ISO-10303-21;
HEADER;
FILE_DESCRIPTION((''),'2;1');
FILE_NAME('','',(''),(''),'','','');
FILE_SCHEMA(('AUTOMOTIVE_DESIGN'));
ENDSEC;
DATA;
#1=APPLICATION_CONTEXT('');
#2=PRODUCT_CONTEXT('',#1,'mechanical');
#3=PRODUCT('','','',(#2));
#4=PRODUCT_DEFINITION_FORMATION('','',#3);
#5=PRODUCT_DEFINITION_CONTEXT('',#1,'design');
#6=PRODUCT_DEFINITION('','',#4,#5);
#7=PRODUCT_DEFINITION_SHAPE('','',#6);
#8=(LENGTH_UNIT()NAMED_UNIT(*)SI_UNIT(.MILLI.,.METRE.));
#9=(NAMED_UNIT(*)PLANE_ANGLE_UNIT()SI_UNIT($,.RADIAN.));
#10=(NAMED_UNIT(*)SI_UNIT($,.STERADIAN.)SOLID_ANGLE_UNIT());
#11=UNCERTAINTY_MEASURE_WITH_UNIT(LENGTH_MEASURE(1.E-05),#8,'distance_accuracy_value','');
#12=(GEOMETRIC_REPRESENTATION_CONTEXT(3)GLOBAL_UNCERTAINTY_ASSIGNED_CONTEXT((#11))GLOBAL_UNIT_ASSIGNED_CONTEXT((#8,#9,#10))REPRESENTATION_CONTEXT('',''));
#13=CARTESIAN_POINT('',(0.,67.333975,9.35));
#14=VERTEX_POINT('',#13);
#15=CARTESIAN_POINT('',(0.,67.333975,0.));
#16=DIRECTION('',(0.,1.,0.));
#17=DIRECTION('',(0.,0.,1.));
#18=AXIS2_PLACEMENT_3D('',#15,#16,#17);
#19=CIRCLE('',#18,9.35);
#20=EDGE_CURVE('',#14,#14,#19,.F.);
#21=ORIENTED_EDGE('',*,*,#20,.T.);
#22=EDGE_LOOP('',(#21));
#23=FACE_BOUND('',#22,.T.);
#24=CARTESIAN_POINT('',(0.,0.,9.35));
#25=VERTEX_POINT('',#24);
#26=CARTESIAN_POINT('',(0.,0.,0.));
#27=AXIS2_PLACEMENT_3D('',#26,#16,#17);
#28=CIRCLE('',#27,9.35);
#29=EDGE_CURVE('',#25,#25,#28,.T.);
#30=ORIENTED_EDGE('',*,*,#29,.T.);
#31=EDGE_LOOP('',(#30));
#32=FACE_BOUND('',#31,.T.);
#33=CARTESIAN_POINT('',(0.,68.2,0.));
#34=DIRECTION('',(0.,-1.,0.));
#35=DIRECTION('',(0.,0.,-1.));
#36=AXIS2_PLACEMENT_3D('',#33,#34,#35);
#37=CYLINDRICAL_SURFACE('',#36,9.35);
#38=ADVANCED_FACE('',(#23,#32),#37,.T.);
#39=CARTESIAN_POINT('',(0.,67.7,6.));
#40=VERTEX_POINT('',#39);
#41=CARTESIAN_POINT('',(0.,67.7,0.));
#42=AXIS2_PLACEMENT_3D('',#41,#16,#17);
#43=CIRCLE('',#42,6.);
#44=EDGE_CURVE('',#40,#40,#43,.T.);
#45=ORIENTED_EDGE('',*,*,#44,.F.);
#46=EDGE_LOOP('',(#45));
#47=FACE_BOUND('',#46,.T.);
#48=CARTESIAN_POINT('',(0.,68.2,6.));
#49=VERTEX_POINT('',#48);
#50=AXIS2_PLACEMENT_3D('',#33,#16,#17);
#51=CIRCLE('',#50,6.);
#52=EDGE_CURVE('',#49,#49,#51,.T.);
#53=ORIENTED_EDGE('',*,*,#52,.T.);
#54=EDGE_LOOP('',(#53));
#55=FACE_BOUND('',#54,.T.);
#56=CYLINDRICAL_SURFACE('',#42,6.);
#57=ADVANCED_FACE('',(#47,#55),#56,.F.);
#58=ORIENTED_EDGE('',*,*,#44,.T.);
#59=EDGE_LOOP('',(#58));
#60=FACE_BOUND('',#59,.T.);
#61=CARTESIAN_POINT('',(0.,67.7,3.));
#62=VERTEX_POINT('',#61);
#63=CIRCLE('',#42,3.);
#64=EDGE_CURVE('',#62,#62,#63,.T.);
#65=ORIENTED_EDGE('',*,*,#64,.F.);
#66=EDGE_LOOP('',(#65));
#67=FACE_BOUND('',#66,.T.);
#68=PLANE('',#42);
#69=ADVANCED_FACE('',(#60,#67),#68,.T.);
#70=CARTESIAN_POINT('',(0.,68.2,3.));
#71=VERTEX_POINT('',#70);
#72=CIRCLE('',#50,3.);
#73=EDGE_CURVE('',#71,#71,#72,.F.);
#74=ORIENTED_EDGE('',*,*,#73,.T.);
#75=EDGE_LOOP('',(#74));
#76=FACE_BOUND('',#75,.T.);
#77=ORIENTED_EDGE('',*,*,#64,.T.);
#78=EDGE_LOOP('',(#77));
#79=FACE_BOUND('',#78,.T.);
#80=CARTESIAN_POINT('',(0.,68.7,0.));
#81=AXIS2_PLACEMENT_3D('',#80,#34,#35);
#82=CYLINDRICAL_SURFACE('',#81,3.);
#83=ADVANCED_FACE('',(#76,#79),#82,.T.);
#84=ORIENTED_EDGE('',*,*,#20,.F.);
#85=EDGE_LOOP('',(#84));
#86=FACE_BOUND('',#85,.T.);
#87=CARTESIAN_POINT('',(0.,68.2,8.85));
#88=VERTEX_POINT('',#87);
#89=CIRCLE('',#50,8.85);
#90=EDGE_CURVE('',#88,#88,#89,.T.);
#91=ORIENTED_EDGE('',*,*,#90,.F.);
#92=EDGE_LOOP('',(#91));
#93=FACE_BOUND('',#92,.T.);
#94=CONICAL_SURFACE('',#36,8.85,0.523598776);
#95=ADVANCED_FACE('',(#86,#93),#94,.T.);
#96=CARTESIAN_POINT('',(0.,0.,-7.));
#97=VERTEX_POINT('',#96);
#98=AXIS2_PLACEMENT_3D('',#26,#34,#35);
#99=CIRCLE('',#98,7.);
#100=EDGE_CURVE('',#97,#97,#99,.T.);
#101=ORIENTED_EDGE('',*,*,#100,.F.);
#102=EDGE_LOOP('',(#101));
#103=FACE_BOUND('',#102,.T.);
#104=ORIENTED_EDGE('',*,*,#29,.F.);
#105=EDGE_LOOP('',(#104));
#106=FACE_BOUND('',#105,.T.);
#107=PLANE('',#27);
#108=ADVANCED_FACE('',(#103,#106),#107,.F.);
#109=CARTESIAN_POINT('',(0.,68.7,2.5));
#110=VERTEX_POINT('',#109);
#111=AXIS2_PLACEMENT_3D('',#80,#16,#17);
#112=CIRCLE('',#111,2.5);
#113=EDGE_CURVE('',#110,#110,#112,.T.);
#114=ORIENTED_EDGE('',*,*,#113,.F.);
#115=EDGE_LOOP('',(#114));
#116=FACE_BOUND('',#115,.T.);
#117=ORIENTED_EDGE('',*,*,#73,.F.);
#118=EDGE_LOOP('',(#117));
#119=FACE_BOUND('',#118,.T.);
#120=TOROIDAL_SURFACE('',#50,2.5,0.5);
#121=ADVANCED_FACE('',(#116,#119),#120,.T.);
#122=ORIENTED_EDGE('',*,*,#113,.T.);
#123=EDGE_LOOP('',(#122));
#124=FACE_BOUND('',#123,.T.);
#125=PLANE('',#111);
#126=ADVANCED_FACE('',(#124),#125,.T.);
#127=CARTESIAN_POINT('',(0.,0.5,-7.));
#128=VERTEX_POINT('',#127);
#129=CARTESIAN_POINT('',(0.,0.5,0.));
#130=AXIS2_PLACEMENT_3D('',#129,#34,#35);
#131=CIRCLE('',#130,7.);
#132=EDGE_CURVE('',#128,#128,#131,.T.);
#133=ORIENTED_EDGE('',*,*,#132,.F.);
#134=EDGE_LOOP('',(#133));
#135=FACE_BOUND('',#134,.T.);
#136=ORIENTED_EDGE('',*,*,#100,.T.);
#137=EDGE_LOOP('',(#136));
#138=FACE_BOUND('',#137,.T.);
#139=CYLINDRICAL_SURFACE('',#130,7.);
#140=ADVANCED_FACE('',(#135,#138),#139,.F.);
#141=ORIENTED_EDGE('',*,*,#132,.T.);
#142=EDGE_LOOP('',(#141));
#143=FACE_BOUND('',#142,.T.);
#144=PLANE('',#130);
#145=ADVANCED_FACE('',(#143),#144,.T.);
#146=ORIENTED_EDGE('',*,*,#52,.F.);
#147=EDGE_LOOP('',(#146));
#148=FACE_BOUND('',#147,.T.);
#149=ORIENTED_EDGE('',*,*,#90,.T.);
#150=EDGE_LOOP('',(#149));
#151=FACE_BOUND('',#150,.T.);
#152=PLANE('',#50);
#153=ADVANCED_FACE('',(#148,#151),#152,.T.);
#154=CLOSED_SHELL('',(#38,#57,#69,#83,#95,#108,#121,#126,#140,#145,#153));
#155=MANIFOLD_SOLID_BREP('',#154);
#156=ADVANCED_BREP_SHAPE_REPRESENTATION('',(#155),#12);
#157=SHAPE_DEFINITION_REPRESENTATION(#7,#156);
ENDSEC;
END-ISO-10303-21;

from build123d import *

# Parameters (mm, degrees)
SZKIC1_R                    = 9.35
DODANIE_WYCI_GNI_CIE1_DEPTH = 68.2
SZKIC2_R                    = 7
WYTNIJ_WYCI_GNI_CIE1_DEPTH  = 0.5
SZKIC3_R                    = 6
WYTNIJ_WYCI_GNI_CIE2_DEPTH  = 0.5
SZKIC4_R                    = 3
DODANIE_WYCI_GNI_CIE2_DEPTH = 1
ZAOKR_GLENIE1_R             = 0.5
SFAZOWANIE1_SIZE            = 0.5
SFAZOWANIE1_SIZE2           = 0.866025404


with BuildPart() as part:
    # Szkic1 → Dodanie-wyciągnięcie1 (new body)
    with BuildSketch(Plane(origin=(0, 0, 0), x_dir=(1, 0, 0), z_dir=(0, 1, 0))):
        with Locations(Location((0, 0, 0), (0, 0, 270))):
            Circle(SZKIC1_R)
    extrude(amount=DODANIE_WYCI_GNI_CIE1_DEPTH)

    # Szkic2 → Wytnij-wyciągnięcie1 (cut)
    with BuildSketch(Plane.XZ):
        with Locations(Location((0, 0, 0), (0, 0, 270))):
            Circle(SZKIC2_R)
    extrude(amount=-WYTNIJ_WYCI_GNI_CIE1_DEPTH, mode=Mode.SUBTRACT)

    # Szkic3 → Wytnij-wyciągnięcie2 (cut)
    with BuildSketch(Plane(origin=(0, 68.2, 0), x_dir=(1, 0, 0), z_dir=(0, 1, 0))):
        with Locations(Location((0, 0, 0), (0, 0, 270))):
            Circle(SZKIC3_R)
    extrude(amount=-WYTNIJ_WYCI_GNI_CIE2_DEPTH, mode=Mode.SUBTRACT)

    # Szkic4 → Dodanie-wyciągnięcie2 (add)
    with BuildSketch(Plane(origin=(0, 67.7, 0), x_dir=(1, 0, 0), z_dir=(0, 1, 0))):
        with Locations(Location((0, 0, 0), (0, 0, 270))):
            Circle(SZKIC4_R)
    extrude(amount=DODANIE_WYCI_GNI_CIE2_DEPTH)

    # Zaokrąglenie1
    zaokr_glenie1_edges = [part.edges().sort_by_distance(p)[0] for p in [
        (0, 68.7, -3),
    ]]
    fillet(zaokr_glenie1_edges, radius=ZAOKR_GLENIE1_R)

    # Sfazowanie1
    sfazowanie1_edges = [part.edges().sort_by_distance(p)[0] for p in [
        (0, 68.2, -9.35),
    ]]
    sfazowanie1_side = [part.faces().sort_by_distance(p)[0] for p in [
        (0, 68.2, -9.085542064),
    ]]
    chamfer(sfazowanie1_edges, length=SFAZOWANIE1_SIZE, length2=SFAZOWANIE1_SIZE2, reference=sfazowanie1_side[0])


solid = part.part
